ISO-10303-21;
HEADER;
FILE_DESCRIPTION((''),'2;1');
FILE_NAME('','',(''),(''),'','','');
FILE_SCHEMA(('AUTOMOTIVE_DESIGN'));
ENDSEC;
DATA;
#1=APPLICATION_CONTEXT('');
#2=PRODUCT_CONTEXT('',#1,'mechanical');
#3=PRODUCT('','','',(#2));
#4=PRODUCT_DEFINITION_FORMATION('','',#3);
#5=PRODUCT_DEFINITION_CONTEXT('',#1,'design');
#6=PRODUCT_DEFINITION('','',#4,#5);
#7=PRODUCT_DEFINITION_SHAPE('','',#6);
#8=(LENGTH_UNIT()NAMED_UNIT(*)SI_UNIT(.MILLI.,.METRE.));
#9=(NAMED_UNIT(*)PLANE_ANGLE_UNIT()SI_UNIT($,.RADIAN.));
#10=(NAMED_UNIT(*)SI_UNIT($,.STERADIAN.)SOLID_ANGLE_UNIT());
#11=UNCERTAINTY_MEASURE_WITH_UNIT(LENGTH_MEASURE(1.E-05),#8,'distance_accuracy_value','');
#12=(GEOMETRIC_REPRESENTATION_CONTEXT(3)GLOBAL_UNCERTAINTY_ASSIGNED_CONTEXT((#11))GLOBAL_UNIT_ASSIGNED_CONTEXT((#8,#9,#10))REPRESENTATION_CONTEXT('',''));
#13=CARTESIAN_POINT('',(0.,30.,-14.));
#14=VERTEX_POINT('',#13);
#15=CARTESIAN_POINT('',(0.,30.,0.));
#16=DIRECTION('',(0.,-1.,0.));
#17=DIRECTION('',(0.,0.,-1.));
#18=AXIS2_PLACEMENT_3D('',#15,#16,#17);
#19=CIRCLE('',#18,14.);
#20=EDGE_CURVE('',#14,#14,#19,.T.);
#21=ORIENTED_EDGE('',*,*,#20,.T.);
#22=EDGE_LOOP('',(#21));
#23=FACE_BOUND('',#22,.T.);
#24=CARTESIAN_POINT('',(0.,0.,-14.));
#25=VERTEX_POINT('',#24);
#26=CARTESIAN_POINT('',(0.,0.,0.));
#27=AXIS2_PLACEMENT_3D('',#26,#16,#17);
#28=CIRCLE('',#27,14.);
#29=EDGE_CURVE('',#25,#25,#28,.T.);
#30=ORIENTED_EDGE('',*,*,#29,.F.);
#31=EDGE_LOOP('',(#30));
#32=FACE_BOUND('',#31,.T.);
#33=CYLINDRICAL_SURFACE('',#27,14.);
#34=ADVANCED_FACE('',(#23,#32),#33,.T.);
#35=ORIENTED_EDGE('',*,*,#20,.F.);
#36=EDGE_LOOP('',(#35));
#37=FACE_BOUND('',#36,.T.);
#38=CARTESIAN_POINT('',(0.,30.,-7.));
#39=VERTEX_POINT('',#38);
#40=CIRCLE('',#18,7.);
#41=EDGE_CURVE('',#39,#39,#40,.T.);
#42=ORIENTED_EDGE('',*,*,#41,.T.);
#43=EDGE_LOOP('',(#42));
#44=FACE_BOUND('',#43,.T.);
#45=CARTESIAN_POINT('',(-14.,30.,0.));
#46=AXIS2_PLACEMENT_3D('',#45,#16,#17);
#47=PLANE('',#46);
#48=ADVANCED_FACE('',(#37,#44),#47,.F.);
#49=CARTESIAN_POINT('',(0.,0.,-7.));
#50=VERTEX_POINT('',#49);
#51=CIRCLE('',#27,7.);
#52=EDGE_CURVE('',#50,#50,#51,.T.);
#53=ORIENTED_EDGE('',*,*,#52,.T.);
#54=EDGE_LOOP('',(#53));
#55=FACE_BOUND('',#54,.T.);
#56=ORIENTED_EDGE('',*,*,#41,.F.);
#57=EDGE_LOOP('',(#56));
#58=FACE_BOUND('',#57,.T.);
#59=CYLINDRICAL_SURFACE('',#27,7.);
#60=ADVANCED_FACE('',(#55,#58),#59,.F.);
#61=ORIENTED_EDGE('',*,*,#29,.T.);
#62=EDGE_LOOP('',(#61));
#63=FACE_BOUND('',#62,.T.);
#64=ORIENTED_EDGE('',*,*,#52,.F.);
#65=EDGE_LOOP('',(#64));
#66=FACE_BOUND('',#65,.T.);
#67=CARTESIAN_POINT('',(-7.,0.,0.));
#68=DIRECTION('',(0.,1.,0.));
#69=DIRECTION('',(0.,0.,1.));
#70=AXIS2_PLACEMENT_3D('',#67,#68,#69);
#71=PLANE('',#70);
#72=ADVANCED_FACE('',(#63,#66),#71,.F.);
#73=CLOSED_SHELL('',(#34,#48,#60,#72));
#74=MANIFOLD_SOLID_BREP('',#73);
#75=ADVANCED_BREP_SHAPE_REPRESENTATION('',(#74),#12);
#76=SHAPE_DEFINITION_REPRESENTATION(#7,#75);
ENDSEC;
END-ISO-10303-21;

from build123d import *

# Parameters (mm, degrees)
SKETCH1_W = 7
SKETCH1_H = 30


with BuildPart() as part:
    # Sketch1 → Revolve1 (revolve)
    with BuildSketch(Plane.XY, mode=Mode.PRIVATE) as revolve1_sk:
        with Locations((-10.5, 15)):
            Rectangle(SKETCH1_W, SKETCH1_H)
    revolve(revolve1_sk.sketch.rotate(Axis((0, 0, 0), (0, 1, 0)), 270), axis=Axis((0, 0, 0), (0, 1, 0)))


solid = part.part
